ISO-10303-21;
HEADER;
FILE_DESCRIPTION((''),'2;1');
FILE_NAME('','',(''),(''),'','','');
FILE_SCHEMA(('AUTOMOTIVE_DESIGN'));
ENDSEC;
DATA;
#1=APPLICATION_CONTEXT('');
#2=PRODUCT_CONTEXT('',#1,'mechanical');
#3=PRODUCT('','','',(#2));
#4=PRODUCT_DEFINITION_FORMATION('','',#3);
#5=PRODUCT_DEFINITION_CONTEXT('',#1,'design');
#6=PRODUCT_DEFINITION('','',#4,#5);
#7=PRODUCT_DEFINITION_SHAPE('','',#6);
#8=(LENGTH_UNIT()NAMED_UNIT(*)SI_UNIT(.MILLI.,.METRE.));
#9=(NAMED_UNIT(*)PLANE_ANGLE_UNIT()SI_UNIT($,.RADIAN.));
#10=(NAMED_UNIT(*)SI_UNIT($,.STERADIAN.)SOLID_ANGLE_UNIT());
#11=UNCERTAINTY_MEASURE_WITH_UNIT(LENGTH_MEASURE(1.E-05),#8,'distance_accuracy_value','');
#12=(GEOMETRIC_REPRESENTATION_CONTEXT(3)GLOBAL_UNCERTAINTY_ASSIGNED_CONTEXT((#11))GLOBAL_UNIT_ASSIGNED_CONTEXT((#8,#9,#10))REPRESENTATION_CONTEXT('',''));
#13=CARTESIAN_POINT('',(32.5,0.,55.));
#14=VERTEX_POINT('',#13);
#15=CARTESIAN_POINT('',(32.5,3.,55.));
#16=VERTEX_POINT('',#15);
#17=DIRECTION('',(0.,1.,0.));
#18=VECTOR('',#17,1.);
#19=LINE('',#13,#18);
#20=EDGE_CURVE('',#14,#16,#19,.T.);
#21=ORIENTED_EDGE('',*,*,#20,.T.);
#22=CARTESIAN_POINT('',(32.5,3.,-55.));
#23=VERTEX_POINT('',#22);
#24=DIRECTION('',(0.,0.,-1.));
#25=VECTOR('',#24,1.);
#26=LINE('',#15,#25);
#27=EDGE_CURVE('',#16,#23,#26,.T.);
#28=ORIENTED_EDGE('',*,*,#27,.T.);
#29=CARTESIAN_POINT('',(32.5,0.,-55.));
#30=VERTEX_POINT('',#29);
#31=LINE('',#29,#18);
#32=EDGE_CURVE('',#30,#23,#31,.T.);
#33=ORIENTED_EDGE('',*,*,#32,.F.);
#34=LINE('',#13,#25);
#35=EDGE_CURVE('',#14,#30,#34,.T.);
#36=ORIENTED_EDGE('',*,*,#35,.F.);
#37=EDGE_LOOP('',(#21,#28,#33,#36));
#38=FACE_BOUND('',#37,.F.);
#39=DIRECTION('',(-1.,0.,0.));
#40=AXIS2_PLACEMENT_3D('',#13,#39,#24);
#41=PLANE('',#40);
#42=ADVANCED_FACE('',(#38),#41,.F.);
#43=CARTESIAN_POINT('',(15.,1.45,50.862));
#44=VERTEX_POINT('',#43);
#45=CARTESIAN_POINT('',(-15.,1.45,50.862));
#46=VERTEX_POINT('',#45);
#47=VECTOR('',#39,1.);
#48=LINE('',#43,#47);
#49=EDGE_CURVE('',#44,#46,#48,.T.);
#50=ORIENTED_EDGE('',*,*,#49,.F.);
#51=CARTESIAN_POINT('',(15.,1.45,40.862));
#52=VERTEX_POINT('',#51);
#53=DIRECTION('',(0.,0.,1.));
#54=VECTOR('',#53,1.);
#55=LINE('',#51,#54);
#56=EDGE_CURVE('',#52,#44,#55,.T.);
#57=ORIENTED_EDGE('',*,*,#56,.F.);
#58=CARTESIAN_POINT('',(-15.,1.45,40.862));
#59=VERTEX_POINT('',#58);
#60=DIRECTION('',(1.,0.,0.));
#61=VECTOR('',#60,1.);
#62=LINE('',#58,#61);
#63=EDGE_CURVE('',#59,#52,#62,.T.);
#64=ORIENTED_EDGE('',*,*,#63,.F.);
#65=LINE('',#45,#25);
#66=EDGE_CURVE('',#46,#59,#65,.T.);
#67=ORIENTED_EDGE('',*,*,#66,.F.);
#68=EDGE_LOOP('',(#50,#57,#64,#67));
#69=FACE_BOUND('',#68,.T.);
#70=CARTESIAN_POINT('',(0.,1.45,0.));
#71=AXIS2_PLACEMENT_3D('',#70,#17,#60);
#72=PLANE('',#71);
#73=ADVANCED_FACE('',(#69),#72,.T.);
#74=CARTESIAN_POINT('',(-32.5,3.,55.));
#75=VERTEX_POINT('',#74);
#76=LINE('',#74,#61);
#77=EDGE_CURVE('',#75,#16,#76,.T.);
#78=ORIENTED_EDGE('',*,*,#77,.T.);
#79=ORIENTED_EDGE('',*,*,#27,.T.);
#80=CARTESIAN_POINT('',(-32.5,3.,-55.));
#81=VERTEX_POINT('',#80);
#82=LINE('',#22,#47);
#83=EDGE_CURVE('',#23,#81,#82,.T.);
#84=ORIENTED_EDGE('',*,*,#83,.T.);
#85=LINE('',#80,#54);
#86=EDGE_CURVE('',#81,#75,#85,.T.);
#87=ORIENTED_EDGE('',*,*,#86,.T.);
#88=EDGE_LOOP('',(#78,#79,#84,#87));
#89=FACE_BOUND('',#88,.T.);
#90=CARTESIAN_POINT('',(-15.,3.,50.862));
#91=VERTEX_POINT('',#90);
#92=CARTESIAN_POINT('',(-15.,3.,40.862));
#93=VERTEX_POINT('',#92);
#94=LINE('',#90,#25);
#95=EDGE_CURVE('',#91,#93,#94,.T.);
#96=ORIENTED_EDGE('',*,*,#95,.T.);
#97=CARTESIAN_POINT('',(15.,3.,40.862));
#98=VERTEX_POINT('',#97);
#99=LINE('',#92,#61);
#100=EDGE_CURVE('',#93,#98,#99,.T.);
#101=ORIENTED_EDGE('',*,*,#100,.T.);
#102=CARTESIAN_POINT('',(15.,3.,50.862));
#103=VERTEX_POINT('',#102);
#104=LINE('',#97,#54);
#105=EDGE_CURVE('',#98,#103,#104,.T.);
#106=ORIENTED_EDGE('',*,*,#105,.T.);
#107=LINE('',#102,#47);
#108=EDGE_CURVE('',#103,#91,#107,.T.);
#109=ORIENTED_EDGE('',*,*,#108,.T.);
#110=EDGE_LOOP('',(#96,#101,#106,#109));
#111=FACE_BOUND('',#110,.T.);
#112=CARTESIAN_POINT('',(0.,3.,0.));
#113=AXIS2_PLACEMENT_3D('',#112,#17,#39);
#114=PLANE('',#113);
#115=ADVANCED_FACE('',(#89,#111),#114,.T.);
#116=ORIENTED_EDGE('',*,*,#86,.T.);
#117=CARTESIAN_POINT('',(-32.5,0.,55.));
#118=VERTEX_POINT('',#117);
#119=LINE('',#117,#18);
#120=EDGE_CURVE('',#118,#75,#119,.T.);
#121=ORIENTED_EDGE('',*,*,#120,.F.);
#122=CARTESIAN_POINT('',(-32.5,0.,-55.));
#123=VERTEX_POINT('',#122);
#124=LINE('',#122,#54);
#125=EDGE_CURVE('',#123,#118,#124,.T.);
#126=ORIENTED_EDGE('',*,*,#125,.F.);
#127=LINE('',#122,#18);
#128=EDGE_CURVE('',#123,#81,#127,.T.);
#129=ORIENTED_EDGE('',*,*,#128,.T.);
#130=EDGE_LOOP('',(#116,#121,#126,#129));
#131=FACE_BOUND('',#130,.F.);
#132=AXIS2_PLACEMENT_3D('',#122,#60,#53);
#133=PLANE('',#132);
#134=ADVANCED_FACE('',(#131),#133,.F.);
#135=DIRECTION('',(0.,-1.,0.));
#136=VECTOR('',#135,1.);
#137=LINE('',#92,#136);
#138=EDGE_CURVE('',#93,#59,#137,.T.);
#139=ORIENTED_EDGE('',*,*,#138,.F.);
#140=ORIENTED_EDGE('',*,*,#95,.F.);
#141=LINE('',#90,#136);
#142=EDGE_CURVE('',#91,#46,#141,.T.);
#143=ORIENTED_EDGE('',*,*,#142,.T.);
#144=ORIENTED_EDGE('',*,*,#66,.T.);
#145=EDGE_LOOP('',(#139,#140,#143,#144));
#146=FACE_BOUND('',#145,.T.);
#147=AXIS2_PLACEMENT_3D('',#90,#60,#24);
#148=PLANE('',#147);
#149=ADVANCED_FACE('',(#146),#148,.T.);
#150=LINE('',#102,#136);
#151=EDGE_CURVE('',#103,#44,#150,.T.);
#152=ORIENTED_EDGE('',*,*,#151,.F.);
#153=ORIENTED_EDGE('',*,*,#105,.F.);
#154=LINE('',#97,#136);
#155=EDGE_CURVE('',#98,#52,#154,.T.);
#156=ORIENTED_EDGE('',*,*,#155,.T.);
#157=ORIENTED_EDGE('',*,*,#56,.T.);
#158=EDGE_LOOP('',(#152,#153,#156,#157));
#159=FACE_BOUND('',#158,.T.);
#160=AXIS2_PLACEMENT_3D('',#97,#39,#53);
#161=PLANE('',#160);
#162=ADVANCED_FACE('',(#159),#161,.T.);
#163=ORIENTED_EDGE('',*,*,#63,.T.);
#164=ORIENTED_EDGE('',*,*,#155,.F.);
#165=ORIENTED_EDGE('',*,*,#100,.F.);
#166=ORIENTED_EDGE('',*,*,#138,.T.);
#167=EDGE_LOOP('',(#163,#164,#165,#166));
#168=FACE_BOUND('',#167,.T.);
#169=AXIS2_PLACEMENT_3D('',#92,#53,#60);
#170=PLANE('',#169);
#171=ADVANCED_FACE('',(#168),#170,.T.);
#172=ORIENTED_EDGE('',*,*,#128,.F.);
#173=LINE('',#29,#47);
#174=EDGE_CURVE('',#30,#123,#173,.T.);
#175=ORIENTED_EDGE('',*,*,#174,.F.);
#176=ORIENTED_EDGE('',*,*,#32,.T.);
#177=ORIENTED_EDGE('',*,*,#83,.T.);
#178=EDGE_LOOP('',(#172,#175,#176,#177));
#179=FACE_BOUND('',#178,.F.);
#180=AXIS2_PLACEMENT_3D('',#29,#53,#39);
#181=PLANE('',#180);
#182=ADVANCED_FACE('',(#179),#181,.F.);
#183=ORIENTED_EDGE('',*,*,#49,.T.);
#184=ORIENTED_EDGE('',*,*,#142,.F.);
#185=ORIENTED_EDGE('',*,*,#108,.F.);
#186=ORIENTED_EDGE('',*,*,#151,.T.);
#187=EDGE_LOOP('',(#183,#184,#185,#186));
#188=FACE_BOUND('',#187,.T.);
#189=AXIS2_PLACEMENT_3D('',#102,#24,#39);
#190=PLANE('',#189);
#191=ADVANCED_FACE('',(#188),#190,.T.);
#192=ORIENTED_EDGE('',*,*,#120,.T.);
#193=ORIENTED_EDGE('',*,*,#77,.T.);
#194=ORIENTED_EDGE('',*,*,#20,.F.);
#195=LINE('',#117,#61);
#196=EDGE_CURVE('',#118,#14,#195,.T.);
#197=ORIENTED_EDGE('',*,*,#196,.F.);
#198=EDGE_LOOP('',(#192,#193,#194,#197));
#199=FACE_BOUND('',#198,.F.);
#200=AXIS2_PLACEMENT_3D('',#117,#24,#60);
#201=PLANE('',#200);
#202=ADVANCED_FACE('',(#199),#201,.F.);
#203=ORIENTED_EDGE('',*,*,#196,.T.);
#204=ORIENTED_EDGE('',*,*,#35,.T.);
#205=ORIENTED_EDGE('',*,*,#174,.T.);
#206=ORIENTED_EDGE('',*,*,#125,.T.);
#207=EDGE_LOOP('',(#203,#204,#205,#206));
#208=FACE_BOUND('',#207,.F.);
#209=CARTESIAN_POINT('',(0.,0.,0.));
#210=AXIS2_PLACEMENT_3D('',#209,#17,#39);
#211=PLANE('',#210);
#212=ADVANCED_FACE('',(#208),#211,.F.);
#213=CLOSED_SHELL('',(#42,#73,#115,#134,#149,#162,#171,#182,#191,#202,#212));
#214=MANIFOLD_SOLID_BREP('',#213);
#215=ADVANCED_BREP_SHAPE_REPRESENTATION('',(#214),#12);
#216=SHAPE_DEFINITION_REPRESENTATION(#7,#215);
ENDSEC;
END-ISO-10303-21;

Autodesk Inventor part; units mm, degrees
ref_plane "YZ Plane" through (0, 0, 0) normal (1, 0, 0) x (0, 1, 0)
ref_plane "XZ Plane" through (0, 0, 0) normal (0, 1, 0) x (-1, 0, 0)
ref_plane "XY Plane" through (0, 0, 0) normal (0, 0, 1) x (1, 0, 0)
sketch "Sketch1" plane through (0, 0, 0) normal (0, 1, 0) x (-1, 0, 0)
  line L0 (-32.5, -55) -> (32.5, -55)
  line L1 (32.5, -55) -> (32.5, 55)
  line L2 (32.5, 55) -> (-32.5, 55)
  line L3 (-32.5, 55) -> (-32.5, -55)
  line L4 (-32.5, -55) -> (32.5, 55) construction
  line L5 (32.5, -55) -> (-32.5, 55) construction
  point P0 (0, 0)
  dimension "Sliding_Plate_Length" = 65
  dimension "Sliding_Plate_Width" = 110
extrude "Extrusion1" add sketch "Sketch1" along normal blind 3
sketch "Sketch2" plane through (0, 3, 0) normal (0, 1, 0) x (1, 0, 0)
  line L0 (-32.5, 55) -> (-32.5, -55) projected
  line L1 (-32.5, -55) -> (32.5, -55) projected
  line L2 (32.5, -55) -> (32.5, 55) projected
  line L3 (32.5, 55) -> (-32.5, 55) projected
  point P0 (0, 0)
sketch "Sketch3" plane through (0, 3, 0) normal (0, 1, 0) x (1, 0, 0)
  line L0 (15, -50.862) -> (-15, -50.862)
  line L1 (-15, -50.862) -> (-15, -40.862)
  line L2 (-15, -40.862) -> (15, -40.862)
  line L3 (15, -40.862) -> (15, -50.862)
  line L4 (15, -50.862) -> (-15, -40.862) construction
  line L5 (-15, -50.862) -> (15, -40.862) construction
  point P0 (0, 0)
  point P1 (0, -45.862)
  dimension "d6" = 30
  dimension "d7" = 10
extrude "Extrusion2" cut sketch "Sketch3" against normal blind 1.55
properties part number "Rear_Port_Slider"
